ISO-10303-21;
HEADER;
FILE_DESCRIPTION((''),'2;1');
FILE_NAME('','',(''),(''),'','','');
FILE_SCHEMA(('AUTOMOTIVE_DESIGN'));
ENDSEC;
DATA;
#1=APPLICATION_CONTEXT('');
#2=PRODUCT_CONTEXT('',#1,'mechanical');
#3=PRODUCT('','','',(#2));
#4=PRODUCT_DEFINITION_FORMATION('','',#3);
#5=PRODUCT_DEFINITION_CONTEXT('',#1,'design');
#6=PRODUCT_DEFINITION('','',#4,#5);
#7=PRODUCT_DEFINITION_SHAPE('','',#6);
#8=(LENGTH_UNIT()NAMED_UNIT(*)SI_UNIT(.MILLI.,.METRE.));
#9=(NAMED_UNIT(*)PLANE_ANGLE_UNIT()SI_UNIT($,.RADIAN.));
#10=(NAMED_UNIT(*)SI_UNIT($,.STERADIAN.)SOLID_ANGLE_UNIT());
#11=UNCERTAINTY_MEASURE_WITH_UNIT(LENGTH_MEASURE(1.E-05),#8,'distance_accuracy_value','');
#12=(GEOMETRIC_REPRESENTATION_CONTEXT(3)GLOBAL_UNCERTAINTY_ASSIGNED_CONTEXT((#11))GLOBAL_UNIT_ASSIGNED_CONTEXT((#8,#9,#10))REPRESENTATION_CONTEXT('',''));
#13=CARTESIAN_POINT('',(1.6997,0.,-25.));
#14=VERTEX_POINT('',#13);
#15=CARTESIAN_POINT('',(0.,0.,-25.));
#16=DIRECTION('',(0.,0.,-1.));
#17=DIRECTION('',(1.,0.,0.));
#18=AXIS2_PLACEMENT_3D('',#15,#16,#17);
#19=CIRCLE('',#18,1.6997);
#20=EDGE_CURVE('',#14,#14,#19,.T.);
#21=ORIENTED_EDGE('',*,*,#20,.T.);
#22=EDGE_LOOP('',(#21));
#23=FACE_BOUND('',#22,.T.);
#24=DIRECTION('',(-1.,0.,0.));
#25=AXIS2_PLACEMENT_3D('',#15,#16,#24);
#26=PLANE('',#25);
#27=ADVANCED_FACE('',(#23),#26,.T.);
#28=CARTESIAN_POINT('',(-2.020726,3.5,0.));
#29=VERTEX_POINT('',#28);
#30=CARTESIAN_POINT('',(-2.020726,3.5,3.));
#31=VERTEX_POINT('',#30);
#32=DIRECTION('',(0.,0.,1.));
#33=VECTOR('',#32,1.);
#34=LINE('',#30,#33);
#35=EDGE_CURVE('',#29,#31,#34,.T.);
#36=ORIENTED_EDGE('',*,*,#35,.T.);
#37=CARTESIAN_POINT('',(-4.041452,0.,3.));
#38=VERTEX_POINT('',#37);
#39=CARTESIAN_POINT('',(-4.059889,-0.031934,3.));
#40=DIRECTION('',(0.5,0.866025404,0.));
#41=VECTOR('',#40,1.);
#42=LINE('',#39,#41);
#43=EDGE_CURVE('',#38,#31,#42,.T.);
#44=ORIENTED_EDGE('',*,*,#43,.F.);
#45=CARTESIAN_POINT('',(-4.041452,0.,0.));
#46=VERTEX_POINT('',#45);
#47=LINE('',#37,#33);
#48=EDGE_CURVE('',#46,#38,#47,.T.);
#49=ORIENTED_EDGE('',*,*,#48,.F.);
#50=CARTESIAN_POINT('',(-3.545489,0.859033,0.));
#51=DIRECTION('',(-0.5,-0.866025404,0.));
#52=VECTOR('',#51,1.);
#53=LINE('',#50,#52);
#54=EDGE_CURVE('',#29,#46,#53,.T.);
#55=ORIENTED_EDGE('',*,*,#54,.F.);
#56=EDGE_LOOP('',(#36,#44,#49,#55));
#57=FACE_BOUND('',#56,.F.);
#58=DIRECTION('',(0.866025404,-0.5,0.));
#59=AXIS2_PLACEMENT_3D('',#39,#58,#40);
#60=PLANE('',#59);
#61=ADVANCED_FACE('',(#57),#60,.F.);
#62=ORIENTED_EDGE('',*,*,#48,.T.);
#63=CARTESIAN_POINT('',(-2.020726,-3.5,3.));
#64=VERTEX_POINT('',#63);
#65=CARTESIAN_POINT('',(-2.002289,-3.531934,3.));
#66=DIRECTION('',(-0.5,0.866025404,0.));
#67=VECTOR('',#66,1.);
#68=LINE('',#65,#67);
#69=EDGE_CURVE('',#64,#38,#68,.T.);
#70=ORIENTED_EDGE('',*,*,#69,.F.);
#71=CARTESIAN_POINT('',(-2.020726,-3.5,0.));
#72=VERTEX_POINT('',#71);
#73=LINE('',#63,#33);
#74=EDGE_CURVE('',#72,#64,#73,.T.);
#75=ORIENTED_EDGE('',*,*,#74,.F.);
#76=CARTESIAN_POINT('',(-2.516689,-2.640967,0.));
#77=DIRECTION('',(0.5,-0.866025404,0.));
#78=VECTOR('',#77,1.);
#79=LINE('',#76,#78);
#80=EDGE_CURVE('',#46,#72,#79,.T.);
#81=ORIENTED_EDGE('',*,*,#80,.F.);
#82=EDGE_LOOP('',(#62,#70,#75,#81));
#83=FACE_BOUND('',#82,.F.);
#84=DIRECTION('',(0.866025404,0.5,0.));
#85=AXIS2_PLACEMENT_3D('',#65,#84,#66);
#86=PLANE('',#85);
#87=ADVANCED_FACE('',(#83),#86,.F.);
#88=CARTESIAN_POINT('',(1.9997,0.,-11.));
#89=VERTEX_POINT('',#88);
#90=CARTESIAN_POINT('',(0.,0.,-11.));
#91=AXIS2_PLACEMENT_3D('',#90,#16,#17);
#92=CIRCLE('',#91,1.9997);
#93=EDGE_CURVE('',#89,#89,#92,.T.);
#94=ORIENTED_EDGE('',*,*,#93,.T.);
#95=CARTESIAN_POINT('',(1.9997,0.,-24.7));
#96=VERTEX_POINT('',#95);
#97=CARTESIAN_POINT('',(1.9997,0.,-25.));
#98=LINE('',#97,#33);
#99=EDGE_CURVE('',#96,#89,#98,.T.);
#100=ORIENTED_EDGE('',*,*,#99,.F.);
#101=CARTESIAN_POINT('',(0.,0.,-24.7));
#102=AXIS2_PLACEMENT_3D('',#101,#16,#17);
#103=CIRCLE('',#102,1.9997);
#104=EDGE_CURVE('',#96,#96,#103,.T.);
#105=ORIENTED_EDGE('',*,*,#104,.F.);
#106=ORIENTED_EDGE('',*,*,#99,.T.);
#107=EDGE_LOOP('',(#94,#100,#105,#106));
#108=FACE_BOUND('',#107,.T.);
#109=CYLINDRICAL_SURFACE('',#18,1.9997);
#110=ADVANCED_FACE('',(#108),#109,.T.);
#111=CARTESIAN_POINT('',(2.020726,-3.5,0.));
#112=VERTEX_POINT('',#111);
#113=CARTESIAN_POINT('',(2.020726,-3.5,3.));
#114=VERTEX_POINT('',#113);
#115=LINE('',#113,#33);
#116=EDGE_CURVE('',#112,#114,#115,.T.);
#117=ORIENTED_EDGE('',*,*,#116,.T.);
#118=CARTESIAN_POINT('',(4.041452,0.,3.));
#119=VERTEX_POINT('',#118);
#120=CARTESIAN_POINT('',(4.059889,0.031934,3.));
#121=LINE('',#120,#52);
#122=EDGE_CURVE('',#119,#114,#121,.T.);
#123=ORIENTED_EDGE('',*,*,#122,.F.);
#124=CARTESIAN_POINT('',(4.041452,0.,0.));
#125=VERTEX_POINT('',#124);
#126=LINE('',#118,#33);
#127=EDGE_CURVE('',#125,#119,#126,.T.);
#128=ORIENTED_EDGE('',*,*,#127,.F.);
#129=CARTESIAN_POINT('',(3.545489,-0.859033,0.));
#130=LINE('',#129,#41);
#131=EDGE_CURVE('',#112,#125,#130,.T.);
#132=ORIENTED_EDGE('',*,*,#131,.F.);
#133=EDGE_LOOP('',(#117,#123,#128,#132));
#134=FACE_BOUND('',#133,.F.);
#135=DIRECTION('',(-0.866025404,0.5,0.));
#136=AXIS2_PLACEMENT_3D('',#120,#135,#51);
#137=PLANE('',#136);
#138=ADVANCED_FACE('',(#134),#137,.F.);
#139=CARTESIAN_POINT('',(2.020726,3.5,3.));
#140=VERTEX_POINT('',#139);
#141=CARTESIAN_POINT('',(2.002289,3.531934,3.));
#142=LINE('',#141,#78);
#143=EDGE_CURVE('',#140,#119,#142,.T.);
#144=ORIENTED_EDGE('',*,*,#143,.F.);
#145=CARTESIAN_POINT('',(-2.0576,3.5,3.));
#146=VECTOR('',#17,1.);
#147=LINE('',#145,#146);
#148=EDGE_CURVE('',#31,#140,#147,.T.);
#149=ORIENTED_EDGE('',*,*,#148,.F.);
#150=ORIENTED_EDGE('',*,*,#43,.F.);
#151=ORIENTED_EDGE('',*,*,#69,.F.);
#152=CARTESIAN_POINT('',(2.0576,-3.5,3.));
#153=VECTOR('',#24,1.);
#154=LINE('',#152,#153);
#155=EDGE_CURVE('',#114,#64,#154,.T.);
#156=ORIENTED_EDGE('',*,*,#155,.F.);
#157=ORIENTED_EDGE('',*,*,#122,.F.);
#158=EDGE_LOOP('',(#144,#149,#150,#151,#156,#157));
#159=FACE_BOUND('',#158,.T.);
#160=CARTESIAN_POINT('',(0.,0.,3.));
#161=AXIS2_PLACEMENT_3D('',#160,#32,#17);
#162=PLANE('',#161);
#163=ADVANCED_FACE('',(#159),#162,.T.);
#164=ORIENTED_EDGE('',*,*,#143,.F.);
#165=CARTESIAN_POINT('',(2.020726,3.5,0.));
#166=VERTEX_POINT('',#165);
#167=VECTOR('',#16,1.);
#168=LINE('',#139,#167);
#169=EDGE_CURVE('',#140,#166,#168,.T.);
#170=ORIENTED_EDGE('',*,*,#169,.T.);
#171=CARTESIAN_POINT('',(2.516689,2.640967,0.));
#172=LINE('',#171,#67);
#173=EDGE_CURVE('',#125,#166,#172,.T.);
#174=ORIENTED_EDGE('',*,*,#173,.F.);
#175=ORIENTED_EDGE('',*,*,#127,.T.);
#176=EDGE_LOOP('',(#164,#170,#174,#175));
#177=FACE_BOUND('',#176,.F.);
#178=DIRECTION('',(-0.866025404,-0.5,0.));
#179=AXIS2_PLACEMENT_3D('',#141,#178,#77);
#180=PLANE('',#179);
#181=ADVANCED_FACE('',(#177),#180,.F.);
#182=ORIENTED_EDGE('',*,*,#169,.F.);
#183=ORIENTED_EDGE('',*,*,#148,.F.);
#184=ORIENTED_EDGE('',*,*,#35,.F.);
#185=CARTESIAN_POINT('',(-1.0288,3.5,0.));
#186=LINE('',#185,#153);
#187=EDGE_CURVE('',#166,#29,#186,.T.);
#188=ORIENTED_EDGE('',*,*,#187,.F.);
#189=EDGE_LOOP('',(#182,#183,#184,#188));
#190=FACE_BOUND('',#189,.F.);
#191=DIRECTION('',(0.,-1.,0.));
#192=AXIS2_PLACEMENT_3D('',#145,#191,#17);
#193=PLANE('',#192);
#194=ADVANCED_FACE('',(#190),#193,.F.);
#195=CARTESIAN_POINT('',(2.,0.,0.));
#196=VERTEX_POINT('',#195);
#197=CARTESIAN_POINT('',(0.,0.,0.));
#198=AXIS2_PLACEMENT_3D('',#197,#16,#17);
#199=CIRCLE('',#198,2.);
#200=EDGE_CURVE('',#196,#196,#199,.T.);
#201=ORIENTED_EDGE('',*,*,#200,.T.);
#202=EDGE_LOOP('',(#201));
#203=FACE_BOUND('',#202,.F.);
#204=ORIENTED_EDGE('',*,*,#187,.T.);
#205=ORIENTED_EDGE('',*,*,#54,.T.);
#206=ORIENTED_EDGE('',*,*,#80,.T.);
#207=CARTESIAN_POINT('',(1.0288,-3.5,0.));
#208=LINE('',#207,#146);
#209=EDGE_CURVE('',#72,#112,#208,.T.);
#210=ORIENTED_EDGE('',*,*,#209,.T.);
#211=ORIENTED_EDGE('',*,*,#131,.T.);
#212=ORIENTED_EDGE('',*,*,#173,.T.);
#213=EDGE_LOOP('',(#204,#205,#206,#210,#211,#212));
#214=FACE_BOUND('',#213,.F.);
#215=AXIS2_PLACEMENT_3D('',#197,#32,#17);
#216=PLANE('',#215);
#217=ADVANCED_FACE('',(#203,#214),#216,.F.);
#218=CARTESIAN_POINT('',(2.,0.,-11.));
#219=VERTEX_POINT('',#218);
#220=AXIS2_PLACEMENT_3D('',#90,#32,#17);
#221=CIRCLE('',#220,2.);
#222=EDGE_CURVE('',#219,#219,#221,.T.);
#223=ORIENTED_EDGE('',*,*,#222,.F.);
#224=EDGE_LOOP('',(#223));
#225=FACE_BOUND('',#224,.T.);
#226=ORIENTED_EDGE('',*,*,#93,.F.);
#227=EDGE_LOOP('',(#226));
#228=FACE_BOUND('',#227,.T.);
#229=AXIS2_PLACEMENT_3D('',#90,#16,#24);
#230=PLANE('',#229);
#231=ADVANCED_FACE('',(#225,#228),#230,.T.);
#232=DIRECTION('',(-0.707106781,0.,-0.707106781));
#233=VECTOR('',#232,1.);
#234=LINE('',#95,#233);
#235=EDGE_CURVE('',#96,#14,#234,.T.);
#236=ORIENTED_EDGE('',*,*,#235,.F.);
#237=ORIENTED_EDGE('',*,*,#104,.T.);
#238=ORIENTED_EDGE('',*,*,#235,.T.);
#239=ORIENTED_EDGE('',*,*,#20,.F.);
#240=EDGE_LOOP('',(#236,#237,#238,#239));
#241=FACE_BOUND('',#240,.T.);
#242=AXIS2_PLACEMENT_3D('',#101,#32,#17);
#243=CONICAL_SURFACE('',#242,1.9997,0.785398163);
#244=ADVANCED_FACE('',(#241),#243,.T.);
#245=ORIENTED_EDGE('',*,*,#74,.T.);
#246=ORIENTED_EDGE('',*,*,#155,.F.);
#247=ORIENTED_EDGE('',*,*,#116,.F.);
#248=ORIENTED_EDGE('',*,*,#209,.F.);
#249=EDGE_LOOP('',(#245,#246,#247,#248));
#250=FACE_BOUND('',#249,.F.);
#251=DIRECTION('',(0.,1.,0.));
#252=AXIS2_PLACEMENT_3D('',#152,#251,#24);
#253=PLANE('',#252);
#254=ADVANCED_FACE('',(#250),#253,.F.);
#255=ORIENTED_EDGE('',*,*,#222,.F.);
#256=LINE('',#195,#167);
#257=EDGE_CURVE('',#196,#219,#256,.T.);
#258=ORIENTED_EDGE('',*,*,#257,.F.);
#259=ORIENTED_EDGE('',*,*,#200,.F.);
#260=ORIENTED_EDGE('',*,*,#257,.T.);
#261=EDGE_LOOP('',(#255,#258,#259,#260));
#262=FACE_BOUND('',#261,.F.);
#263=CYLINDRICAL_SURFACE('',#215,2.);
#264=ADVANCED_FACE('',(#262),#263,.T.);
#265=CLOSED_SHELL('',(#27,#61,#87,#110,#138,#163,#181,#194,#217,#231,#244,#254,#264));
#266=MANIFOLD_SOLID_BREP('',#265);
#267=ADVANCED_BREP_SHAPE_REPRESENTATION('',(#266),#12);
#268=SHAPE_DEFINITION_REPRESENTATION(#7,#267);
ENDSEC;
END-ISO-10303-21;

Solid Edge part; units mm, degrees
sketch "Sketch1" plane through (0, 0, 0) normal (0, 0, 1) x (1, 0, 0)
  circle A0 centre (0, 0) radius 4.06
  dimension "D1" = 8.12
extrude "Protrusion1" add sketch "Sketch1" along normal blind 3
sketch "Sketch2" plane through (0, 0, 0) normal (0, 0, -1) x (1, 0, 0)
  circle A0 centre (0, 0) radius 2
extrude "Protrusion2" add sketch "Sketch2" along normal blind 25
sketch "Sketch3" plane through (0, 0, -25) normal (0, 0, -1) x (1, 0, 0)
  circle A0 centre (0, 0) radius 1.9997
extrude "Cutout1" cut sketch "Sketch3" against normal blind 14 flip side to cut
chamfer "Chamfer_1" distance 0.3 angle 45 1 edges at (-1.9997, 0, -25)
sketch "Sketch4" plane through (0, 0, 3) normal (0, 0, 1) x (1, 0, 0)
  line L0 (-2.0576, 3.5) -> (2.0576, 3.5)
  dimension "D1" = 7
extrude "Cutout2" cut sketch "Sketch4" against normal up to next material side at (0, 3.55, 3)
pattern_circular "Pattern1" count 6 over 360 about axis through (0, 0, 3) along (0, 0, 1) of "Cutout2"
properties part number "215862" material "Stainless Steel, 304"
